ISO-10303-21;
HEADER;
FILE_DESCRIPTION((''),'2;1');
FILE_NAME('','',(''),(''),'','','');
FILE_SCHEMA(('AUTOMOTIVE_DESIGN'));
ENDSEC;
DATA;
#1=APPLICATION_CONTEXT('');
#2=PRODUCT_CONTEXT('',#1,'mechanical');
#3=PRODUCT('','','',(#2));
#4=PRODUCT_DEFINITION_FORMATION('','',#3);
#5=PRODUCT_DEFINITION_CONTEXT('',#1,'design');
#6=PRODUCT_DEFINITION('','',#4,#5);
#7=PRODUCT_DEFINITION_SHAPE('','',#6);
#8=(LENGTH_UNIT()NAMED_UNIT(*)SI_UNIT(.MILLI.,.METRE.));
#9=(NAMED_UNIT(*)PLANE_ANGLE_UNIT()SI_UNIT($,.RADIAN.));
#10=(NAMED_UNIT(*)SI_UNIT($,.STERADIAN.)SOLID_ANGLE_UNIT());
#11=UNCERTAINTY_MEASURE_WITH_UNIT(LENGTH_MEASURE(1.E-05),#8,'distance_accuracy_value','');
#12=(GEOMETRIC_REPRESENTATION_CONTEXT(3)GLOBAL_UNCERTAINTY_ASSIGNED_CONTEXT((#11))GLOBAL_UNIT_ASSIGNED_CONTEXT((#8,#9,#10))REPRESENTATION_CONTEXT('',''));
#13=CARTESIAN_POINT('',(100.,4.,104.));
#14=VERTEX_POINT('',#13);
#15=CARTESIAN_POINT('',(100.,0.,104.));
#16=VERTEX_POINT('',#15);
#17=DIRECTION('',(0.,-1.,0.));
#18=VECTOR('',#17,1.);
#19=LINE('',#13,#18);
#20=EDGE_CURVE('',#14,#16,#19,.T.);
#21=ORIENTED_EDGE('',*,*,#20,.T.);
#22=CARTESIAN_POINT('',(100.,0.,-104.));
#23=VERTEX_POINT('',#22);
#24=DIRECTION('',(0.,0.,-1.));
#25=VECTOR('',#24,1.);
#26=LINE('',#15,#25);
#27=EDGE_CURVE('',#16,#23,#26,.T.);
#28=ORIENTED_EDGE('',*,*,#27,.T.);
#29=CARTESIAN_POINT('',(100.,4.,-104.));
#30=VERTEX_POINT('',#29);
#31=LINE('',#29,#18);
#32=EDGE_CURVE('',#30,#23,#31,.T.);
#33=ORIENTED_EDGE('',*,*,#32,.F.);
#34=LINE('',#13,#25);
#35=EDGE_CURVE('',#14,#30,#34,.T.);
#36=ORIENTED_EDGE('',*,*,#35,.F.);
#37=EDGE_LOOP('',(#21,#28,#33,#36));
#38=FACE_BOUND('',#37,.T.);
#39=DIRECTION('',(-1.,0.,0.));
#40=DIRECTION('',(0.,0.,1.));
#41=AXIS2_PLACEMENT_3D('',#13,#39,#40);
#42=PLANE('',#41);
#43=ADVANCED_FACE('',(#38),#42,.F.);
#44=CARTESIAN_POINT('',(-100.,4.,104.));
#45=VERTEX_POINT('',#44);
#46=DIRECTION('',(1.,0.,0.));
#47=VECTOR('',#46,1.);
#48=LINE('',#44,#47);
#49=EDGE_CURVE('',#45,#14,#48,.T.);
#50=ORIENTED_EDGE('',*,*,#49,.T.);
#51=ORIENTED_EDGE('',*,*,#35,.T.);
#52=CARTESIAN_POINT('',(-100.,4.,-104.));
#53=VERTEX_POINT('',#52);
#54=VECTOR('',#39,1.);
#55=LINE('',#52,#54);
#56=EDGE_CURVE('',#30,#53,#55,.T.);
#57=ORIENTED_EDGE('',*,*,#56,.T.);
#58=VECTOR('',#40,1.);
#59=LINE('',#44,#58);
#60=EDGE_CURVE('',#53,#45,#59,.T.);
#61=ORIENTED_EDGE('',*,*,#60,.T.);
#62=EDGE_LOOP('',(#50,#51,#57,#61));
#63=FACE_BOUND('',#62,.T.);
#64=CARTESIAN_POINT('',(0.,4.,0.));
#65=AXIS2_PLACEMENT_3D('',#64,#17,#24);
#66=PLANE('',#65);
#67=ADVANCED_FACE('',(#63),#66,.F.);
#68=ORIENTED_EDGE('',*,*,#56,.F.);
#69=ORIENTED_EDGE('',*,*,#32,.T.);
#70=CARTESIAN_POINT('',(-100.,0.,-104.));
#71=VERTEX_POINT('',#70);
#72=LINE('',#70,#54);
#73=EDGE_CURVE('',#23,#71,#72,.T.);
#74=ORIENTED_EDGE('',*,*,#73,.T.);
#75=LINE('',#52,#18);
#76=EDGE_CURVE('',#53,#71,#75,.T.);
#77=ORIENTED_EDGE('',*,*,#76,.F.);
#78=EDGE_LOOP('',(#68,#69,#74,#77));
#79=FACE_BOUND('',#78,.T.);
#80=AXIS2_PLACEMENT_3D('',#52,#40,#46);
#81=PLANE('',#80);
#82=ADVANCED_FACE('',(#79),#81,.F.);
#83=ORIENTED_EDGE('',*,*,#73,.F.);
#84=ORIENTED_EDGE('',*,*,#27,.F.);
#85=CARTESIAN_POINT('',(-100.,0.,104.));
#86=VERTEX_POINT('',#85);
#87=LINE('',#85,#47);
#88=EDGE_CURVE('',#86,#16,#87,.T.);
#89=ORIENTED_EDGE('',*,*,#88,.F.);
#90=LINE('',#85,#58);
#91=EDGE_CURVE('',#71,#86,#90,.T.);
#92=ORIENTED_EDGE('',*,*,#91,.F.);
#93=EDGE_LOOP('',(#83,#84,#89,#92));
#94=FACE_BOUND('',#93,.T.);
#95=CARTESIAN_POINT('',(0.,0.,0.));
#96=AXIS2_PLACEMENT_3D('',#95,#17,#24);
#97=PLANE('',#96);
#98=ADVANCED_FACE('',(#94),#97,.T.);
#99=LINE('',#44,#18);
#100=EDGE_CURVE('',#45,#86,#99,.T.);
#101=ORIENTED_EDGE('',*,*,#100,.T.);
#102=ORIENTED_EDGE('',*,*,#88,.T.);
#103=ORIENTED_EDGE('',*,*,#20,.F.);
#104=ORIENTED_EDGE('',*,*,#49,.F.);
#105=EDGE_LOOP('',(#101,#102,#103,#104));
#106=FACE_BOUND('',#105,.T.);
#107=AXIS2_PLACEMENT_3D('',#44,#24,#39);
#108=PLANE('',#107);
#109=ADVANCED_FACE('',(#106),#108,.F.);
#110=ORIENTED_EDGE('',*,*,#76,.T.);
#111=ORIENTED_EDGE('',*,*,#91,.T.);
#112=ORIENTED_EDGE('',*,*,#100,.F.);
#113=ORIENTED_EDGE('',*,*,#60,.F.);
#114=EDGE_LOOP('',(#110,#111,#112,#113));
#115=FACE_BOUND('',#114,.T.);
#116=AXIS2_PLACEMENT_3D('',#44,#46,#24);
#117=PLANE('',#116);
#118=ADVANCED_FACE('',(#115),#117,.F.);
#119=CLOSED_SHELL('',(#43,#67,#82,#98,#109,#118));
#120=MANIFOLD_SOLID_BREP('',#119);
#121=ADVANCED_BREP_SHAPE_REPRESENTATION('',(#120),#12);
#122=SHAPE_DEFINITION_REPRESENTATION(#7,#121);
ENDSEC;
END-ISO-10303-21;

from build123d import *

# Parameters (mm, degrees)
SKETCH1_W  = 200
SKETCH1_H  = 208
BODY_DEPTH = 4


with BuildPart() as part:
    # Sketch1 → body (new body)
    with BuildSketch(Plane(origin=(0, 0, 0), x_dir=(1, 0, 0), z_dir=(0, 1, 0))):
        Rectangle(SKETCH1_W, SKETCH1_H)
    extrude(amount=BODY_DEPTH)


solid = part.part
